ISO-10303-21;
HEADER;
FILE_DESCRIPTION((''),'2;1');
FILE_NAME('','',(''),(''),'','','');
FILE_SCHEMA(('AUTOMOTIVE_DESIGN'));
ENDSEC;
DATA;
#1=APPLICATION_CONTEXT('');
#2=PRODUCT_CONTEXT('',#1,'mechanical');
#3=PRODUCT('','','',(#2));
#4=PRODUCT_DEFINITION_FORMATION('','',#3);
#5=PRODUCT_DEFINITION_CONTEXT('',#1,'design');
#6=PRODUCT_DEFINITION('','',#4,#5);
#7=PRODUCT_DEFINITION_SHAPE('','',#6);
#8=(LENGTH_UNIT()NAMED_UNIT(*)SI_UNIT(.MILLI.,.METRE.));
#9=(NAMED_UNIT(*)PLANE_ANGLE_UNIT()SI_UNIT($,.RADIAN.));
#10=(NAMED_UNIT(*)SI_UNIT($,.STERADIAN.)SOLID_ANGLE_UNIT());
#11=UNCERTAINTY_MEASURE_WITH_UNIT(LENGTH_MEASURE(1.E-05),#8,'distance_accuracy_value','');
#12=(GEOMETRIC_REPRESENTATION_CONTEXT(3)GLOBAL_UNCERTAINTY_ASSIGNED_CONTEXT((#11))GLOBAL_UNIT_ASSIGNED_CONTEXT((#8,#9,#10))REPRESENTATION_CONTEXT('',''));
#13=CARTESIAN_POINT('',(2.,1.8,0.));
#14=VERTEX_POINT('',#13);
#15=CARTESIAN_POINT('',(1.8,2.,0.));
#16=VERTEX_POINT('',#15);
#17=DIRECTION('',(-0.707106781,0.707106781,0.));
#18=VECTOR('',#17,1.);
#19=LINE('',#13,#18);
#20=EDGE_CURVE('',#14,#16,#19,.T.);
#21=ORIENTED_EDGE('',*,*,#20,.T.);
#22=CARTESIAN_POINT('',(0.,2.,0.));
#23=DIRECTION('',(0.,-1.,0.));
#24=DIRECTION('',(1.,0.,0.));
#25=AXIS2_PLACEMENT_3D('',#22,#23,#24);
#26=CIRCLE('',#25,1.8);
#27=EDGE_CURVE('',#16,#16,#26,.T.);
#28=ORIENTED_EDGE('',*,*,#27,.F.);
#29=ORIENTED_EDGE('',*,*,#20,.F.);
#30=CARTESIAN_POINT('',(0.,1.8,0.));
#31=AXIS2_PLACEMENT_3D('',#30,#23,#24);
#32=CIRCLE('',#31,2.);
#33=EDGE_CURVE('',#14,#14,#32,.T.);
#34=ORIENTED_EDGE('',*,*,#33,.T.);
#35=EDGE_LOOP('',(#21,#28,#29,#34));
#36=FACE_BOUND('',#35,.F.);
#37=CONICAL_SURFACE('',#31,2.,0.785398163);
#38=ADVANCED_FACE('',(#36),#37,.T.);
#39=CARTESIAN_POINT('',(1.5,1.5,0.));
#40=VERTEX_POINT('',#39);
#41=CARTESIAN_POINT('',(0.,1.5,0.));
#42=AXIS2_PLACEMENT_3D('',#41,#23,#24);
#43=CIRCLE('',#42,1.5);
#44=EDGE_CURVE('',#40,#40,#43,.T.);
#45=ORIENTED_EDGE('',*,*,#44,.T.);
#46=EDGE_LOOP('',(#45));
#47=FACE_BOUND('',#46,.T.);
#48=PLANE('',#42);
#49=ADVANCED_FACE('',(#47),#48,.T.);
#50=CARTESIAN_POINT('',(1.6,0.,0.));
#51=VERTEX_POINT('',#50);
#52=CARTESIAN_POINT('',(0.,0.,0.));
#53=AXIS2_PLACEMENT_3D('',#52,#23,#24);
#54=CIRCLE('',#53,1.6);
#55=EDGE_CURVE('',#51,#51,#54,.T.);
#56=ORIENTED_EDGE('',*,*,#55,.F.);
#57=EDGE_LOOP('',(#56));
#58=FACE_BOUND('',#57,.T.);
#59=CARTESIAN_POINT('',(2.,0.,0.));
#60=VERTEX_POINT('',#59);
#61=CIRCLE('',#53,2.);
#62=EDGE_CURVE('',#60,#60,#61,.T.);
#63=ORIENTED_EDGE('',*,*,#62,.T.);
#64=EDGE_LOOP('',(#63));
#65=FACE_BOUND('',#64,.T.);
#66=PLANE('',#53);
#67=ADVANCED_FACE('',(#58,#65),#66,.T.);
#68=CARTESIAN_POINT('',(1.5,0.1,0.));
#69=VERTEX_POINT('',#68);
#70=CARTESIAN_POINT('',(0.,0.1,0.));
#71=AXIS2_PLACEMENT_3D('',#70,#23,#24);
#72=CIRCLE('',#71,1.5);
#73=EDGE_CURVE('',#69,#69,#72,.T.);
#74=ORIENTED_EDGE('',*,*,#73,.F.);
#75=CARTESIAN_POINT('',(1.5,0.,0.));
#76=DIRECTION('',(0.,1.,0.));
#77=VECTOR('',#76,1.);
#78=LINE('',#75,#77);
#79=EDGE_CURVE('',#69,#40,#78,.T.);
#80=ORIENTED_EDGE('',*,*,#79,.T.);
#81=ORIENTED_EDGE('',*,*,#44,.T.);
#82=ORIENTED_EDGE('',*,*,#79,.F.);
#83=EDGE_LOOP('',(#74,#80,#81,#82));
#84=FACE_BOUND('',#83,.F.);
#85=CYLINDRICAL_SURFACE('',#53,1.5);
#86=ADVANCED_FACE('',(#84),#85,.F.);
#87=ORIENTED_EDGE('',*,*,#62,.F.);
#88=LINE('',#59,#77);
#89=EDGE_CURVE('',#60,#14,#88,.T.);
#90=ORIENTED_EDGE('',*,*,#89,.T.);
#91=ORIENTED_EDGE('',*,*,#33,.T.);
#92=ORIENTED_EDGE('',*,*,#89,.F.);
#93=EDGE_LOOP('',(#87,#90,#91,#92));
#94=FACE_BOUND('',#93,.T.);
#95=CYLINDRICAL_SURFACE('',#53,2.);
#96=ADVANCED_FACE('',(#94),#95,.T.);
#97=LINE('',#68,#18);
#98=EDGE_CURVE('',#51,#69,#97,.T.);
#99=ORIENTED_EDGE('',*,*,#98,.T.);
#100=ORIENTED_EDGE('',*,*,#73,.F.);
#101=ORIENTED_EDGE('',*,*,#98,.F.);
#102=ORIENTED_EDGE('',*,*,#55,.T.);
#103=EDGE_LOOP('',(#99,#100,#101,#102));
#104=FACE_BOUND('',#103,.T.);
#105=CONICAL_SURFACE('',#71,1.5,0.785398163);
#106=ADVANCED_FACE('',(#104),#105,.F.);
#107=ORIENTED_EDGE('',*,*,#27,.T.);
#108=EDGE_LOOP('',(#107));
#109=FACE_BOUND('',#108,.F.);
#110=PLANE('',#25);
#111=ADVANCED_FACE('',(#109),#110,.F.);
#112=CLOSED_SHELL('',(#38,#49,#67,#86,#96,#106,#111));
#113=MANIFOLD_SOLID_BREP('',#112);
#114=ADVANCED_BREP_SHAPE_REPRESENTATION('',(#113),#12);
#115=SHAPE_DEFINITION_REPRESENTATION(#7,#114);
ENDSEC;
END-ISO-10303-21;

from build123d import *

# Parameters (mm, degrees)
SKETCH_R        = 2
PAD_DEPTH       = 2
SKETCH001_R     = 1.5
POCKET_DEPTH    = 1.5
CHAMFER_SIZE    = 0.2
CHAMFER001_SIZE = 0.1


with BuildPart() as part:
    # Sketch → Pad (new body)
    with BuildSketch(Plane.XZ):
        Circle(SKETCH_R)
    extrude(amount=-PAD_DEPTH)

    # Sketch001 → Pocket (cut)
    with BuildSketch(Plane.XZ):
        Circle(SKETCH001_R)
    extrude(amount=-POCKET_DEPTH, mode=Mode.SUBTRACT)

    # Chamfer
    chamfer_edges = [part.edges().sort_by_distance(p)[0] for p in [
        (-2, 2, 0),
    ]]
    chamfer(chamfer_edges, length=CHAMFER_SIZE)

    # Chamfer001
    chamfer001_edges = [part.edges().sort_by_distance(p)[0] for p in [
        (-1.5, 0, 0),
    ]]
    chamfer(chamfer001_edges, length=CHAMFER001_SIZE)


solid = part.part
